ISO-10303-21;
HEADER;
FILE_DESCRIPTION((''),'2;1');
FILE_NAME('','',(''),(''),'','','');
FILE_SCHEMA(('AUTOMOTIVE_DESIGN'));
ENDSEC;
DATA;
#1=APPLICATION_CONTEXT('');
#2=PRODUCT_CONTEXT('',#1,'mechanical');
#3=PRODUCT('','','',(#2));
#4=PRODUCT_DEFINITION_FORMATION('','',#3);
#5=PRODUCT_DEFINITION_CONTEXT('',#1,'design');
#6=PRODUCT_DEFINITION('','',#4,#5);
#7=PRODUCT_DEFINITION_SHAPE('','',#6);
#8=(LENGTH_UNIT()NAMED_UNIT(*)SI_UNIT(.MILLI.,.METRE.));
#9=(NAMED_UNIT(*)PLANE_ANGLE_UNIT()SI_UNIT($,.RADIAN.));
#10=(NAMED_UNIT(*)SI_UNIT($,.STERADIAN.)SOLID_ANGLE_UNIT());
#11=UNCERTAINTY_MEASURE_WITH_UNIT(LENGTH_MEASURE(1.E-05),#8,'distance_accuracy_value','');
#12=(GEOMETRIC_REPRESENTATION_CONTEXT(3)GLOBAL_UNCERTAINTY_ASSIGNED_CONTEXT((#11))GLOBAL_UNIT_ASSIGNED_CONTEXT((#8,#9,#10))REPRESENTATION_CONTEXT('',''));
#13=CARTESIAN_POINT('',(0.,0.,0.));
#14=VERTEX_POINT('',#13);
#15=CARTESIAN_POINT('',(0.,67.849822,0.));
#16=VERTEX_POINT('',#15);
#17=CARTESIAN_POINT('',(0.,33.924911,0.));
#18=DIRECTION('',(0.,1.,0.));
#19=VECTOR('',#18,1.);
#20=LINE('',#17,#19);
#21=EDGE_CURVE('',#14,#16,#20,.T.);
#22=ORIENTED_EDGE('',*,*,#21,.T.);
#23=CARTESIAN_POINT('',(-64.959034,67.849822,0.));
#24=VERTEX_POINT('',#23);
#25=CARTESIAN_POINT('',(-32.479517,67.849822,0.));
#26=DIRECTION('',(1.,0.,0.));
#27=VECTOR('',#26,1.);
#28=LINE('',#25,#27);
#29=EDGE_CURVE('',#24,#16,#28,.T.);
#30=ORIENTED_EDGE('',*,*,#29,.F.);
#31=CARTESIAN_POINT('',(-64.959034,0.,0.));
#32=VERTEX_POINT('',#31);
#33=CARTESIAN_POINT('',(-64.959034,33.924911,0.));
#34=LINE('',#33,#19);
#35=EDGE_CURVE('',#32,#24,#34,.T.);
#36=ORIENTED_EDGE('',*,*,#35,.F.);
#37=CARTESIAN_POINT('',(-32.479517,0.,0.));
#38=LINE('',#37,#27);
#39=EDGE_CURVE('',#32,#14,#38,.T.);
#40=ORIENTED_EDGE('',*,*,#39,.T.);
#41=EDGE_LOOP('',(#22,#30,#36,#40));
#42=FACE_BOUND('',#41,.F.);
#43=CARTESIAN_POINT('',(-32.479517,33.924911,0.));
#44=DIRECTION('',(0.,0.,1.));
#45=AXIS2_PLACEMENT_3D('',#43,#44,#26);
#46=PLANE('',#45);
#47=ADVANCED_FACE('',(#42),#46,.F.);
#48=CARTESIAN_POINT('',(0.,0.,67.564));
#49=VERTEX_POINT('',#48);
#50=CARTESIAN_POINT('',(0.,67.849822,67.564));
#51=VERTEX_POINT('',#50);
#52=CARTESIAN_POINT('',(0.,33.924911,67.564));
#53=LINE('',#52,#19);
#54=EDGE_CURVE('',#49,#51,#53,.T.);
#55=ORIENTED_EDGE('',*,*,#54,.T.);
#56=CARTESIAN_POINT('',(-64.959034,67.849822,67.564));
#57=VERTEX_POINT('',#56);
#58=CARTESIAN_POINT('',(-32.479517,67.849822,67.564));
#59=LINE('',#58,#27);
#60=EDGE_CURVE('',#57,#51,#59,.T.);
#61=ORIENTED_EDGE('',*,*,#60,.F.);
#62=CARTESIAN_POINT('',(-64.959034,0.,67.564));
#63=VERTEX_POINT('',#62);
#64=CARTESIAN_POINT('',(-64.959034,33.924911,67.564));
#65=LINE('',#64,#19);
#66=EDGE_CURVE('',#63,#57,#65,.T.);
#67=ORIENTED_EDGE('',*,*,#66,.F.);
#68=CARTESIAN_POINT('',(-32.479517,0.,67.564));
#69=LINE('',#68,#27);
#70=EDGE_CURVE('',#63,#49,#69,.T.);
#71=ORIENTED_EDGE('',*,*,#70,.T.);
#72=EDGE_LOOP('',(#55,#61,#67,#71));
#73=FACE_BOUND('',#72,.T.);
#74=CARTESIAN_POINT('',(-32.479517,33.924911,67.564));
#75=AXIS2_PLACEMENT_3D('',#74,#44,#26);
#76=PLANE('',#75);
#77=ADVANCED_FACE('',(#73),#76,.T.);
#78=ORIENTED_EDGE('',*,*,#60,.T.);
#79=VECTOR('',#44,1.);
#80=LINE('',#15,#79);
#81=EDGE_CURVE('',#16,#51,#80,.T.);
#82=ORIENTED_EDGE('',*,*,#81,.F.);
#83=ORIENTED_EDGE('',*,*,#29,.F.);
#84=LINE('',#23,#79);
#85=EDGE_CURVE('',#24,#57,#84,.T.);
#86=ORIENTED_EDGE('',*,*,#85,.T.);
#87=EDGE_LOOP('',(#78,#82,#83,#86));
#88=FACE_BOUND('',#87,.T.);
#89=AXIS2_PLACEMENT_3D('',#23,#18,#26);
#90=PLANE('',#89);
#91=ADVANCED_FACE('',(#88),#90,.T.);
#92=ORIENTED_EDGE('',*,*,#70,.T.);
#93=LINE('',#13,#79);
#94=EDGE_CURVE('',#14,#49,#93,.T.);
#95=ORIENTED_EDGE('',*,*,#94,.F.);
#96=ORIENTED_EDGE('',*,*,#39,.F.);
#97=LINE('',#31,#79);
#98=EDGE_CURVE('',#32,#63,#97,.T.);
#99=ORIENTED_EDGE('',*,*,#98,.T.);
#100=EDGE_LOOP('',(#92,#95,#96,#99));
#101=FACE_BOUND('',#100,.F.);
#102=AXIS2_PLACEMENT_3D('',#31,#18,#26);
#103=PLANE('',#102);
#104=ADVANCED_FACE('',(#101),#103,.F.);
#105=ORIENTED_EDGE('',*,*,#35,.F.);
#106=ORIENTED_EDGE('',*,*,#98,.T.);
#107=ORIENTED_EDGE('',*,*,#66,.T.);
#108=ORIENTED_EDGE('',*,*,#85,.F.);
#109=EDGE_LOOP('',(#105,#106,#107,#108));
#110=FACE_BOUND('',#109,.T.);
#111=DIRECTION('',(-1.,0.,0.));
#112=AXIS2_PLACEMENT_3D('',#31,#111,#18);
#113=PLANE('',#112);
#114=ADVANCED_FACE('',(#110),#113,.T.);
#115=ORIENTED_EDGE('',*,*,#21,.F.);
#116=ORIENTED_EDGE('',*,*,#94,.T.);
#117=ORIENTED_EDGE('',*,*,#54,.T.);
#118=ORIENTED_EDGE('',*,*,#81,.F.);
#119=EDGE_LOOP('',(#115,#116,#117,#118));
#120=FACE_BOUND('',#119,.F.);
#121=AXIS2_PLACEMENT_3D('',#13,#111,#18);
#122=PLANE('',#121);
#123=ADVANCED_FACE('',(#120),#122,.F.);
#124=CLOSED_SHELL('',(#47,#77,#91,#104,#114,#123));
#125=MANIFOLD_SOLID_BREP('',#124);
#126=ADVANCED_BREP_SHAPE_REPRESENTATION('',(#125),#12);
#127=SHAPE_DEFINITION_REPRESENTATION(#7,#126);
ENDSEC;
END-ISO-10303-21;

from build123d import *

# Parameters (mm, degrees)
F0_W     = 64.959034
F0_H     = 67.849822
F0_W_2   = 9.7186
F0_H_2   = 14.28096
F1_DEPTH = 67.564


with BuildPart() as f1:
    # F0 (on Top) → F1 (new body)
    with BuildSketch(Plane.XY):
        with Locations((-32.479517, 33.924911)):
            Rectangle(F0_W, F0_H)
        with Locations((-16.939249, 27.425531)):
            Rectangle(F0_W_2, F0_H_2, mode=Mode.SUBTRACT)
        with Locations((-16.939249, 27.425531)):
            Rectangle(F0_W_2, F0_H_2)
    extrude(amount=F1_DEPTH)


solid = f1.part
